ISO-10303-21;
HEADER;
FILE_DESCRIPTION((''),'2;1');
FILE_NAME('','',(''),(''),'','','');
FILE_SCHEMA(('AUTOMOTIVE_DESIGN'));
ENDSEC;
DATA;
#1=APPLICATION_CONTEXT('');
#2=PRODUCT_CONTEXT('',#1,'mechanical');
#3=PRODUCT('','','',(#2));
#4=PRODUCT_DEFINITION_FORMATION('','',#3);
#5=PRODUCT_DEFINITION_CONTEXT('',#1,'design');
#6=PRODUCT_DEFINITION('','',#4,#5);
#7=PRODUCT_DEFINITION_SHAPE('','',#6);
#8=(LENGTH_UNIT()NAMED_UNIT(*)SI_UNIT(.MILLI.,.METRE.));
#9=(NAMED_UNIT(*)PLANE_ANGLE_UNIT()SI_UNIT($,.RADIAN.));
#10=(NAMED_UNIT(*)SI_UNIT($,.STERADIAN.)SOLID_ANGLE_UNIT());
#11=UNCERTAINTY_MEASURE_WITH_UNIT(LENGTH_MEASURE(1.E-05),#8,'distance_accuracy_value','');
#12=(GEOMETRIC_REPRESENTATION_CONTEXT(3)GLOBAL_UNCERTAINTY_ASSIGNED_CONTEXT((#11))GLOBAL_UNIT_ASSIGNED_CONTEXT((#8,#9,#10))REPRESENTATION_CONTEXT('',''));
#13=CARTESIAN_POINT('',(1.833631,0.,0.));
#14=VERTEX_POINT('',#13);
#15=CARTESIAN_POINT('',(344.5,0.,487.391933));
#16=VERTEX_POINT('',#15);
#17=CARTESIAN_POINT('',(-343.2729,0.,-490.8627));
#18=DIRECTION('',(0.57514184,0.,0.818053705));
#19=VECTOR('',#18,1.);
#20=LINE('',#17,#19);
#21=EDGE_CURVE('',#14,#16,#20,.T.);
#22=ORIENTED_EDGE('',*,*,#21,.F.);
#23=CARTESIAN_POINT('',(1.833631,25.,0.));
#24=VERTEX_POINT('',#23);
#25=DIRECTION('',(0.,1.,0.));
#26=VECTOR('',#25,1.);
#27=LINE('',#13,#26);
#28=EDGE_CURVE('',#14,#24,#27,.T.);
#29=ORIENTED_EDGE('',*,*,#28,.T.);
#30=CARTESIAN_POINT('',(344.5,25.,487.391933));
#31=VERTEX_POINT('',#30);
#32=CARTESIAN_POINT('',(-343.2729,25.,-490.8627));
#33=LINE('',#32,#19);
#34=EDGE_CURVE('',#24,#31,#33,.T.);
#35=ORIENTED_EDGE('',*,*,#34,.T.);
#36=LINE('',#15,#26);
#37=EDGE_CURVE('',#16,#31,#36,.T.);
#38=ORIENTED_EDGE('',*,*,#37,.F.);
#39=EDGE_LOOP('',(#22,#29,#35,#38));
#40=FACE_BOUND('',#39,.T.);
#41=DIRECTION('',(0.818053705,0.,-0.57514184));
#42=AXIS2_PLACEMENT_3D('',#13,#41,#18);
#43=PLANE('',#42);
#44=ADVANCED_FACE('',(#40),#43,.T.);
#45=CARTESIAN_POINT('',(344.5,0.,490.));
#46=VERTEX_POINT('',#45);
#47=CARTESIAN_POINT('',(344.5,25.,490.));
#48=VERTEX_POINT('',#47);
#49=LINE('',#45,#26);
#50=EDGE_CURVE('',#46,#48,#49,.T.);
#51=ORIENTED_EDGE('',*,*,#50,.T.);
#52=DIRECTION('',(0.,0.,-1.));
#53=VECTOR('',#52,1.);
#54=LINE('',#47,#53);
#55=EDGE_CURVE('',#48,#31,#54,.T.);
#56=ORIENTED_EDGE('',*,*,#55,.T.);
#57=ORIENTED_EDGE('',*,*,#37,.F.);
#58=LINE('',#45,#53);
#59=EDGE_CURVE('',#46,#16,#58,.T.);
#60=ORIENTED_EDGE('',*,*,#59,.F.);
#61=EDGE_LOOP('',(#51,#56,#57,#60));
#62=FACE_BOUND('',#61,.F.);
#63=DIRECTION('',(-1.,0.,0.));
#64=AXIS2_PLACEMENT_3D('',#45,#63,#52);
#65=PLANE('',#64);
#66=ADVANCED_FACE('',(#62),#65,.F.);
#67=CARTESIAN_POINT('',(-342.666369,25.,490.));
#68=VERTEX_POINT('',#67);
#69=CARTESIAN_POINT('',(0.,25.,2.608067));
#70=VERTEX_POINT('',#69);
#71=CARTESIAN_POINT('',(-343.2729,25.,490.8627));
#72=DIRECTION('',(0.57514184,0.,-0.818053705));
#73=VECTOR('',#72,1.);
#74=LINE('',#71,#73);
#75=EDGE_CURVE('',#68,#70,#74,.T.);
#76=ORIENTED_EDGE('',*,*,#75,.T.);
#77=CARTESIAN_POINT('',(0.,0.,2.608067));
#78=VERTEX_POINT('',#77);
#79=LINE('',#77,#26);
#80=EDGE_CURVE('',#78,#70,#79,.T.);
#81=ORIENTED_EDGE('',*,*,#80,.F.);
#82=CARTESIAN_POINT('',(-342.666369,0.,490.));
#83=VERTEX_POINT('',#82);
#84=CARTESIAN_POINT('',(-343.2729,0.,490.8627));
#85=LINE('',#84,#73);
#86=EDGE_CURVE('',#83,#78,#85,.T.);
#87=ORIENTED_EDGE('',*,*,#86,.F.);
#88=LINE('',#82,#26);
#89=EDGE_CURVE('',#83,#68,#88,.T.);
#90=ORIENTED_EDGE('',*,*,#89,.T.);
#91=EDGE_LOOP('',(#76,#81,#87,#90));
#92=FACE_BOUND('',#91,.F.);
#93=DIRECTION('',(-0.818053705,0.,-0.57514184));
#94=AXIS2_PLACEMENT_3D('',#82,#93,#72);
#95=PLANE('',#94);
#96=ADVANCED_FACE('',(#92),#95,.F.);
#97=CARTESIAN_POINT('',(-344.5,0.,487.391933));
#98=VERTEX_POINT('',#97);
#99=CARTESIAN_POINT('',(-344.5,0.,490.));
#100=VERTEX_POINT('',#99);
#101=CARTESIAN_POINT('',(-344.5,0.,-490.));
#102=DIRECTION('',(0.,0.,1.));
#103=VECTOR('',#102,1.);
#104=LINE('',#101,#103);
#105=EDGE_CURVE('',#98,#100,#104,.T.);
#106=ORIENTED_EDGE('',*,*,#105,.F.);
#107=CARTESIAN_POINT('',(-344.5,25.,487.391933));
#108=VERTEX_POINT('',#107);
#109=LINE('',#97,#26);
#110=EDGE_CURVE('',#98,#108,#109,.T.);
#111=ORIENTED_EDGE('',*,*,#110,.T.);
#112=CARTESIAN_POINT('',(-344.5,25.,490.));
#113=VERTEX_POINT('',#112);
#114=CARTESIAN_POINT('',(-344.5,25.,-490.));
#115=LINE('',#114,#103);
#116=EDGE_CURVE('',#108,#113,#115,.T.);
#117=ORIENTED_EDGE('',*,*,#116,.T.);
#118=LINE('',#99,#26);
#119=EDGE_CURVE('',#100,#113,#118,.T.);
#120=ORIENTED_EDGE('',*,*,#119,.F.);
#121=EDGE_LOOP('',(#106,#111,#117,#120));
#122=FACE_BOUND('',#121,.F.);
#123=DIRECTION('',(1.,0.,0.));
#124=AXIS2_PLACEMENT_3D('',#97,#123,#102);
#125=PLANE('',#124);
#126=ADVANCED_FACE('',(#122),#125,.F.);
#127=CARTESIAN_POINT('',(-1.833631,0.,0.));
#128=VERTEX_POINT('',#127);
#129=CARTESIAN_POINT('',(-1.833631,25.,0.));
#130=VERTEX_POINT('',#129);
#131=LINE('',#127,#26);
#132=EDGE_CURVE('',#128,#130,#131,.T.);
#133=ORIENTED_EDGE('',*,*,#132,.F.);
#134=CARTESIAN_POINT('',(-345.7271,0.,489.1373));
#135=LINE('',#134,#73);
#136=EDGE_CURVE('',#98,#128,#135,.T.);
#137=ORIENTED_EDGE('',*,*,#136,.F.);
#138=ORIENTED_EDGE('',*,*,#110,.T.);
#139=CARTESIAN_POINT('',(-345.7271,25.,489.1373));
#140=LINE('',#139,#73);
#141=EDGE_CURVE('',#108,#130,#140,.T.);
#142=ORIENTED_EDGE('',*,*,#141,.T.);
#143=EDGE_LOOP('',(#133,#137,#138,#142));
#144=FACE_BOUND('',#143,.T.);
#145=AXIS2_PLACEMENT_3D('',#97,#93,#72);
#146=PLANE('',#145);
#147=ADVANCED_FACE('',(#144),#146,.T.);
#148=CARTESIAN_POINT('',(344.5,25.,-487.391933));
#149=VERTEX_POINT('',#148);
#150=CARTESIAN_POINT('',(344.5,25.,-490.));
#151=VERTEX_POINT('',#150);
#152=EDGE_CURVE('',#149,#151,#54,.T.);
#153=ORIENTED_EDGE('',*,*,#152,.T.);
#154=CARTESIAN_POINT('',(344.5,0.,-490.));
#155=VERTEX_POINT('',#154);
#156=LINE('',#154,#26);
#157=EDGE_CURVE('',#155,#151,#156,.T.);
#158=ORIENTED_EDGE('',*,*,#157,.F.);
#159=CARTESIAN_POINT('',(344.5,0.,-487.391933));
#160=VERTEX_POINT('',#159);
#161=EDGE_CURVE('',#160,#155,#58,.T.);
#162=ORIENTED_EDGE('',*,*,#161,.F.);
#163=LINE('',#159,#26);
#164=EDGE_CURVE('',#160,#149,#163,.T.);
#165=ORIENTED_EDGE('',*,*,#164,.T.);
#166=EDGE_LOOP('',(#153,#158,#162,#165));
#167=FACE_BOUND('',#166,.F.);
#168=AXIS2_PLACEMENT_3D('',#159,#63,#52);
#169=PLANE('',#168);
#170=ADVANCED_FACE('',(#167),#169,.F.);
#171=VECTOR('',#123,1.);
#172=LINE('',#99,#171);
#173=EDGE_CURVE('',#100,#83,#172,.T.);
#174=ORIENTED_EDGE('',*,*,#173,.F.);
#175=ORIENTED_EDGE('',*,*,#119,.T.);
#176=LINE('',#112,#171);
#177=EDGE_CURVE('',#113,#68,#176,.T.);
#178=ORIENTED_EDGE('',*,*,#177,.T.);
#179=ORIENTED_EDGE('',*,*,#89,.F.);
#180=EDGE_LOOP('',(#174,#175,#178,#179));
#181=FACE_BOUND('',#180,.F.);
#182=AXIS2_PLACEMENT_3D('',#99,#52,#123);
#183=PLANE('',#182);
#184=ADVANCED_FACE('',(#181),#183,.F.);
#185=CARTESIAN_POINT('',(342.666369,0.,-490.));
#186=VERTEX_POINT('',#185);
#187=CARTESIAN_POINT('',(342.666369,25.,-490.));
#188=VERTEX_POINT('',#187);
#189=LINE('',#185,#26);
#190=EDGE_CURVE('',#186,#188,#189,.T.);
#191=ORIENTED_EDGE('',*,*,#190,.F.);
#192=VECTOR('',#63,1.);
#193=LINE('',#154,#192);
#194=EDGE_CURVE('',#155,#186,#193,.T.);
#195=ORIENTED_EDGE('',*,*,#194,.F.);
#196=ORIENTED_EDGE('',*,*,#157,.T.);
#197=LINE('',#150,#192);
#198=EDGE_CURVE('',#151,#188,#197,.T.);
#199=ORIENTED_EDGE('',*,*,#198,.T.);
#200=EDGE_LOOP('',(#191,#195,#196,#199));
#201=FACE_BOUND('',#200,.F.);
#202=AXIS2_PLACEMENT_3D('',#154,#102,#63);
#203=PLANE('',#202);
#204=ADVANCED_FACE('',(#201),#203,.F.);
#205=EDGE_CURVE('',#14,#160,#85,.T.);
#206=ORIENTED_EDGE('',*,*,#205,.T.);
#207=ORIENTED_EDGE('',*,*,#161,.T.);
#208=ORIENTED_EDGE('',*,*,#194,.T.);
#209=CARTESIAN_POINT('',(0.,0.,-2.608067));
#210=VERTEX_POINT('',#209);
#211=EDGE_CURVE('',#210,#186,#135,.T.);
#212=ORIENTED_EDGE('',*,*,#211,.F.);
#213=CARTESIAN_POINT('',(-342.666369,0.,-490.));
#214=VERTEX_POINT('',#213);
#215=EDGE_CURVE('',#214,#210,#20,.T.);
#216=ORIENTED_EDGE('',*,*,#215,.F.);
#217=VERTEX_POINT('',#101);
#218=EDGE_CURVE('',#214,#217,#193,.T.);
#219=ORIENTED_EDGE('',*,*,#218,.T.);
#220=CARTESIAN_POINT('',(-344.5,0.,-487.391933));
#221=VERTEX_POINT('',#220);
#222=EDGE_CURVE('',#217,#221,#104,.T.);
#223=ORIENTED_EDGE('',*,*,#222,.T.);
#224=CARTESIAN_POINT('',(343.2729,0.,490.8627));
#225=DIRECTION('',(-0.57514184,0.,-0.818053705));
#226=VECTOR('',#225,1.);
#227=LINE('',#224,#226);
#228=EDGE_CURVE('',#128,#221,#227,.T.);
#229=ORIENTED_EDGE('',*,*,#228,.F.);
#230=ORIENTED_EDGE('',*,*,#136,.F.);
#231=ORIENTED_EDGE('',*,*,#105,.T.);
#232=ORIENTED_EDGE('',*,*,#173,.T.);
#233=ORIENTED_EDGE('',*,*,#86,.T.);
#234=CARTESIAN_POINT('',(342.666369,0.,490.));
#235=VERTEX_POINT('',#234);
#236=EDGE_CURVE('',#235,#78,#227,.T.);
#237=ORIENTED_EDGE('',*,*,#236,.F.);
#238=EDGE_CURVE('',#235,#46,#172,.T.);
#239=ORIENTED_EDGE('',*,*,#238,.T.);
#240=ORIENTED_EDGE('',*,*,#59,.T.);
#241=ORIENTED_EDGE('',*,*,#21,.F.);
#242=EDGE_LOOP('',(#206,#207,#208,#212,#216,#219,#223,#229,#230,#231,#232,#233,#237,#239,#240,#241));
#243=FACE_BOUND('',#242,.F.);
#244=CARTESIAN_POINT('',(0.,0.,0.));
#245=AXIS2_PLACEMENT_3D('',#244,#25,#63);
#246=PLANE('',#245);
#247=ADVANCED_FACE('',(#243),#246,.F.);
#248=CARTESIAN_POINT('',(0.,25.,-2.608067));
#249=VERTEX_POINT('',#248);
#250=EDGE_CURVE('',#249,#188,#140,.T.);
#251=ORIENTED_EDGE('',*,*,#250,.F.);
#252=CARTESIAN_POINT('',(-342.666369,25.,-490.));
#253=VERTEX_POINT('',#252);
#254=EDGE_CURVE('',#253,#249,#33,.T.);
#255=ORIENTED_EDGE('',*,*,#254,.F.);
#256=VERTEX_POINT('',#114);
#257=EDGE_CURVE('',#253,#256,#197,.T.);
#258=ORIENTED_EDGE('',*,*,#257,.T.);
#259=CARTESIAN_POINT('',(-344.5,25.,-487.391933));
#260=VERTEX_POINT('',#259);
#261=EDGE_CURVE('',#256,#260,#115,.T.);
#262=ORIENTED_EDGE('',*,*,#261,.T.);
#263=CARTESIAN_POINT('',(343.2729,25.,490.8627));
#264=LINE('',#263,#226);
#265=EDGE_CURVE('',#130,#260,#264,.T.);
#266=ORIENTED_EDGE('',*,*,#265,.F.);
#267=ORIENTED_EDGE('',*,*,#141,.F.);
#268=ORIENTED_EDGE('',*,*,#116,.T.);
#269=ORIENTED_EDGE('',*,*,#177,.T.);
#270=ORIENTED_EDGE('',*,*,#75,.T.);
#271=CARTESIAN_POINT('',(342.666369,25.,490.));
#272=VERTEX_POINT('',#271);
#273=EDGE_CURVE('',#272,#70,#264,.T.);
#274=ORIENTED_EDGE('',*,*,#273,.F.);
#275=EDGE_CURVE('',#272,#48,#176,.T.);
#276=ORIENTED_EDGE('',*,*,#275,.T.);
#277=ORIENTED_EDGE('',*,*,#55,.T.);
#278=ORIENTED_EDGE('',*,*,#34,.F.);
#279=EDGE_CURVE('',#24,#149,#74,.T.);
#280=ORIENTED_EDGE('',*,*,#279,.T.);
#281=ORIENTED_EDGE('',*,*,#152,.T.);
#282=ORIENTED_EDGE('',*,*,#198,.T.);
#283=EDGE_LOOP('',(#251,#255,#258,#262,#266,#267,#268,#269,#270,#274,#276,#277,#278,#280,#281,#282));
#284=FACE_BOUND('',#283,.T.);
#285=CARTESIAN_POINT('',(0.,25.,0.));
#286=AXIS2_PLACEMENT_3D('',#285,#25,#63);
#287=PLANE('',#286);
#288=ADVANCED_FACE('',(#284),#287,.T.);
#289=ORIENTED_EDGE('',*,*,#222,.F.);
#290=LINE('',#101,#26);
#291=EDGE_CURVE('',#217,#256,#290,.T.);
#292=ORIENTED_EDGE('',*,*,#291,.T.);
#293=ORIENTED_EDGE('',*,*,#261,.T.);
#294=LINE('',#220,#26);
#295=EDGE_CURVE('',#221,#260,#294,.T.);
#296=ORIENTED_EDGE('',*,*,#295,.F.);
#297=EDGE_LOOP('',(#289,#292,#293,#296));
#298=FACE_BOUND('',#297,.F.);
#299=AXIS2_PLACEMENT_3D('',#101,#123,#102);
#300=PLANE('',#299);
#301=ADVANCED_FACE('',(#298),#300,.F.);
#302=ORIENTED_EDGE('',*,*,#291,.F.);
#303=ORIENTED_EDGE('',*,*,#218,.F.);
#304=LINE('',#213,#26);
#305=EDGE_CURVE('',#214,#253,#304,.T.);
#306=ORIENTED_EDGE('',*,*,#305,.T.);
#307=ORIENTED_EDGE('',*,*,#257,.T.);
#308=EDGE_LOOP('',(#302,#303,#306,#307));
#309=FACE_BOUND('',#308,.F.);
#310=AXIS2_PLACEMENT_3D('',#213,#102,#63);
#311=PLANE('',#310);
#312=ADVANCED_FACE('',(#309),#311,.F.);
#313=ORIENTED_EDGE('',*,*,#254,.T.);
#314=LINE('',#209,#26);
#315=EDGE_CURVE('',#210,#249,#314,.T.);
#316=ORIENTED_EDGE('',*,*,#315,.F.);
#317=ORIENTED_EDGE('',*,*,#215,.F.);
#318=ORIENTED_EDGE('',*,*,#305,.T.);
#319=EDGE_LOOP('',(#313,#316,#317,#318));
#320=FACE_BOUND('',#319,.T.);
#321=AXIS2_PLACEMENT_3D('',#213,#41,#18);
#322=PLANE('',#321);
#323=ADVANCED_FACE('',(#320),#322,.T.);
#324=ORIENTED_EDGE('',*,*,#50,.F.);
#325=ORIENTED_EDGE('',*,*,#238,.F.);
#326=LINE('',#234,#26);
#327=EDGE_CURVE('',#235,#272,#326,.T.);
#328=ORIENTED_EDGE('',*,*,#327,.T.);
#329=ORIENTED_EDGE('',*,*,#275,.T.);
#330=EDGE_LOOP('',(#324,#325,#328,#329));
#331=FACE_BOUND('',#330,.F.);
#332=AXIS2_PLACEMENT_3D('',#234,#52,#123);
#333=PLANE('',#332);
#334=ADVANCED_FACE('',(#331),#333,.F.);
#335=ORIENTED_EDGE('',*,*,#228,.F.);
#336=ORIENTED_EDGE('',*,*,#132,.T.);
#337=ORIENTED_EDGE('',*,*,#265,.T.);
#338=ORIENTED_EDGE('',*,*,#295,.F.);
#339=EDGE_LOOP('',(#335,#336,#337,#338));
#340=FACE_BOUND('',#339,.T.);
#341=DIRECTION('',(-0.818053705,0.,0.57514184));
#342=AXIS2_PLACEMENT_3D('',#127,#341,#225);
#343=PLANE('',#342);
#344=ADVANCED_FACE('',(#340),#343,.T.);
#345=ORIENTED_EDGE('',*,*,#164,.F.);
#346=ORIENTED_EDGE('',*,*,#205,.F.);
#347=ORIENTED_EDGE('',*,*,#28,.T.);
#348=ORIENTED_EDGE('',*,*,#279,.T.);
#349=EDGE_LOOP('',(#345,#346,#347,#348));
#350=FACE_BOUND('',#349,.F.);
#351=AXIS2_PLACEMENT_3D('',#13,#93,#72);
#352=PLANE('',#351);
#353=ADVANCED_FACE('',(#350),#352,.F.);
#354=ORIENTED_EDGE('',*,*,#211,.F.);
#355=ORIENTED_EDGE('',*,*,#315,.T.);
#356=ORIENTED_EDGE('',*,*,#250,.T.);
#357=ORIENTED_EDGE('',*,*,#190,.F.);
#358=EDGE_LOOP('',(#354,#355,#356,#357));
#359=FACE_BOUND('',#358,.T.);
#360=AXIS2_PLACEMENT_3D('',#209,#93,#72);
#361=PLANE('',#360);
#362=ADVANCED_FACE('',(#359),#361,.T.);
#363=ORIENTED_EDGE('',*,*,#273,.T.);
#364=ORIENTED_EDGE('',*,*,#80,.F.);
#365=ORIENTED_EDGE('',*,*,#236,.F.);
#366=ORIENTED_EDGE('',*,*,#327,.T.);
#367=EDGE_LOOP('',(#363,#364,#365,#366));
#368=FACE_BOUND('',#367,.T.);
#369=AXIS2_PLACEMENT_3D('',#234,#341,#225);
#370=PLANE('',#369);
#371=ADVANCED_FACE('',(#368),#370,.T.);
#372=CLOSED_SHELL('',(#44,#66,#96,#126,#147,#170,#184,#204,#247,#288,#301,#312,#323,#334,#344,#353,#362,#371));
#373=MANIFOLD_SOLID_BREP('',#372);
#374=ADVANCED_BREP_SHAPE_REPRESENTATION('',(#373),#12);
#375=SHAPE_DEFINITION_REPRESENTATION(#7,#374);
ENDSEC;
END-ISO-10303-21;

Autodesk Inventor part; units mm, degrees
ref_plane "YZ Plane" through (0, 0, 0) normal (1, 0, 0) x (0, 1, 0)
ref_plane "XZ Plane" through (0, 0, 0) normal (0, 1, 0) x (-1, 0, 0)
ref_plane "XY Plane" through (0, 0, 0) normal (0, 0, 1) x (1, 0, 0)
sketch "Sketch3" plane through (0, 0, 0) normal (0, 1, 0) x (-1, 0, 0)
  line L0 (344.5, 490) -> (-344.5, 490)
  line L1 (-344.5, 490) -> (-344.5, -490)
  line L2 (-344.5, -490) -> (344.5, -490)
  line L3 (344.5, -490) -> (344.5, 490)
  line L4 (344.5, 490) -> (-344.5, -490) construction
  line L5 (-344.5, 490) -> (344.5, -490) construction
  line L6 (344.5, 490) -> (-344.5, -490)
  line L7 (344.5, -490) -> (-344.5, 490)
  line L8 (345.7271, 489.1373) -> (-343.2729, -490.8627)
  line L9 (343.2729, 490.8627) -> (-345.7271, -489.1373)
  line L10 (-343.2729, 490.8627) -> (345.7271, -489.1373)
  line L11 (343.2729, -490.8627) -> (-345.7271, 489.1373)
  point P0 (0, 0)
  point P1 (0, -2.6081)
  point P2 (342.6664, -490)
  point P3 (344.5, -487.3919)
  point P4 (1.8336, 0)
  point P5 (344.5, 487.3919)
  point P6 (342.6664, 490)
  point P7 (0, 2.6081)
  point P8 (-342.6664, 490)
  point P9 (-344.5, 487.3919)
  point P10 (-1.8336, 0)
  point P11 (-344.5, -487.3919)
  point P12 (-342.6664, -490)
  dimension "d13" = 689
  dimension "d14" = 980
  dimension "d15" = 1.5
  dimension "d16" = 1.5
  dimension "d17" = 1.5
  dimension "d18" = 1.5
extrude "Extrusion3" add sketch "Sketch3" along normal blind 25 contours L6 L10 L9 L0 | L3 L8 L10 L6 | L10 L8 L7 L6 | L6 L7 L9 L10 | L10 L9 L7 L0 | L3 L7 L8 L10 | L7 L8 L11 L6 | L6 L11 L9 L7 | L7 L9 L11 L1 | L2 L11 L8 L7 | L11 L8 L2 L6 | L6 L1 L9 L11
properties part number "PLETINA DE INERCIA"
